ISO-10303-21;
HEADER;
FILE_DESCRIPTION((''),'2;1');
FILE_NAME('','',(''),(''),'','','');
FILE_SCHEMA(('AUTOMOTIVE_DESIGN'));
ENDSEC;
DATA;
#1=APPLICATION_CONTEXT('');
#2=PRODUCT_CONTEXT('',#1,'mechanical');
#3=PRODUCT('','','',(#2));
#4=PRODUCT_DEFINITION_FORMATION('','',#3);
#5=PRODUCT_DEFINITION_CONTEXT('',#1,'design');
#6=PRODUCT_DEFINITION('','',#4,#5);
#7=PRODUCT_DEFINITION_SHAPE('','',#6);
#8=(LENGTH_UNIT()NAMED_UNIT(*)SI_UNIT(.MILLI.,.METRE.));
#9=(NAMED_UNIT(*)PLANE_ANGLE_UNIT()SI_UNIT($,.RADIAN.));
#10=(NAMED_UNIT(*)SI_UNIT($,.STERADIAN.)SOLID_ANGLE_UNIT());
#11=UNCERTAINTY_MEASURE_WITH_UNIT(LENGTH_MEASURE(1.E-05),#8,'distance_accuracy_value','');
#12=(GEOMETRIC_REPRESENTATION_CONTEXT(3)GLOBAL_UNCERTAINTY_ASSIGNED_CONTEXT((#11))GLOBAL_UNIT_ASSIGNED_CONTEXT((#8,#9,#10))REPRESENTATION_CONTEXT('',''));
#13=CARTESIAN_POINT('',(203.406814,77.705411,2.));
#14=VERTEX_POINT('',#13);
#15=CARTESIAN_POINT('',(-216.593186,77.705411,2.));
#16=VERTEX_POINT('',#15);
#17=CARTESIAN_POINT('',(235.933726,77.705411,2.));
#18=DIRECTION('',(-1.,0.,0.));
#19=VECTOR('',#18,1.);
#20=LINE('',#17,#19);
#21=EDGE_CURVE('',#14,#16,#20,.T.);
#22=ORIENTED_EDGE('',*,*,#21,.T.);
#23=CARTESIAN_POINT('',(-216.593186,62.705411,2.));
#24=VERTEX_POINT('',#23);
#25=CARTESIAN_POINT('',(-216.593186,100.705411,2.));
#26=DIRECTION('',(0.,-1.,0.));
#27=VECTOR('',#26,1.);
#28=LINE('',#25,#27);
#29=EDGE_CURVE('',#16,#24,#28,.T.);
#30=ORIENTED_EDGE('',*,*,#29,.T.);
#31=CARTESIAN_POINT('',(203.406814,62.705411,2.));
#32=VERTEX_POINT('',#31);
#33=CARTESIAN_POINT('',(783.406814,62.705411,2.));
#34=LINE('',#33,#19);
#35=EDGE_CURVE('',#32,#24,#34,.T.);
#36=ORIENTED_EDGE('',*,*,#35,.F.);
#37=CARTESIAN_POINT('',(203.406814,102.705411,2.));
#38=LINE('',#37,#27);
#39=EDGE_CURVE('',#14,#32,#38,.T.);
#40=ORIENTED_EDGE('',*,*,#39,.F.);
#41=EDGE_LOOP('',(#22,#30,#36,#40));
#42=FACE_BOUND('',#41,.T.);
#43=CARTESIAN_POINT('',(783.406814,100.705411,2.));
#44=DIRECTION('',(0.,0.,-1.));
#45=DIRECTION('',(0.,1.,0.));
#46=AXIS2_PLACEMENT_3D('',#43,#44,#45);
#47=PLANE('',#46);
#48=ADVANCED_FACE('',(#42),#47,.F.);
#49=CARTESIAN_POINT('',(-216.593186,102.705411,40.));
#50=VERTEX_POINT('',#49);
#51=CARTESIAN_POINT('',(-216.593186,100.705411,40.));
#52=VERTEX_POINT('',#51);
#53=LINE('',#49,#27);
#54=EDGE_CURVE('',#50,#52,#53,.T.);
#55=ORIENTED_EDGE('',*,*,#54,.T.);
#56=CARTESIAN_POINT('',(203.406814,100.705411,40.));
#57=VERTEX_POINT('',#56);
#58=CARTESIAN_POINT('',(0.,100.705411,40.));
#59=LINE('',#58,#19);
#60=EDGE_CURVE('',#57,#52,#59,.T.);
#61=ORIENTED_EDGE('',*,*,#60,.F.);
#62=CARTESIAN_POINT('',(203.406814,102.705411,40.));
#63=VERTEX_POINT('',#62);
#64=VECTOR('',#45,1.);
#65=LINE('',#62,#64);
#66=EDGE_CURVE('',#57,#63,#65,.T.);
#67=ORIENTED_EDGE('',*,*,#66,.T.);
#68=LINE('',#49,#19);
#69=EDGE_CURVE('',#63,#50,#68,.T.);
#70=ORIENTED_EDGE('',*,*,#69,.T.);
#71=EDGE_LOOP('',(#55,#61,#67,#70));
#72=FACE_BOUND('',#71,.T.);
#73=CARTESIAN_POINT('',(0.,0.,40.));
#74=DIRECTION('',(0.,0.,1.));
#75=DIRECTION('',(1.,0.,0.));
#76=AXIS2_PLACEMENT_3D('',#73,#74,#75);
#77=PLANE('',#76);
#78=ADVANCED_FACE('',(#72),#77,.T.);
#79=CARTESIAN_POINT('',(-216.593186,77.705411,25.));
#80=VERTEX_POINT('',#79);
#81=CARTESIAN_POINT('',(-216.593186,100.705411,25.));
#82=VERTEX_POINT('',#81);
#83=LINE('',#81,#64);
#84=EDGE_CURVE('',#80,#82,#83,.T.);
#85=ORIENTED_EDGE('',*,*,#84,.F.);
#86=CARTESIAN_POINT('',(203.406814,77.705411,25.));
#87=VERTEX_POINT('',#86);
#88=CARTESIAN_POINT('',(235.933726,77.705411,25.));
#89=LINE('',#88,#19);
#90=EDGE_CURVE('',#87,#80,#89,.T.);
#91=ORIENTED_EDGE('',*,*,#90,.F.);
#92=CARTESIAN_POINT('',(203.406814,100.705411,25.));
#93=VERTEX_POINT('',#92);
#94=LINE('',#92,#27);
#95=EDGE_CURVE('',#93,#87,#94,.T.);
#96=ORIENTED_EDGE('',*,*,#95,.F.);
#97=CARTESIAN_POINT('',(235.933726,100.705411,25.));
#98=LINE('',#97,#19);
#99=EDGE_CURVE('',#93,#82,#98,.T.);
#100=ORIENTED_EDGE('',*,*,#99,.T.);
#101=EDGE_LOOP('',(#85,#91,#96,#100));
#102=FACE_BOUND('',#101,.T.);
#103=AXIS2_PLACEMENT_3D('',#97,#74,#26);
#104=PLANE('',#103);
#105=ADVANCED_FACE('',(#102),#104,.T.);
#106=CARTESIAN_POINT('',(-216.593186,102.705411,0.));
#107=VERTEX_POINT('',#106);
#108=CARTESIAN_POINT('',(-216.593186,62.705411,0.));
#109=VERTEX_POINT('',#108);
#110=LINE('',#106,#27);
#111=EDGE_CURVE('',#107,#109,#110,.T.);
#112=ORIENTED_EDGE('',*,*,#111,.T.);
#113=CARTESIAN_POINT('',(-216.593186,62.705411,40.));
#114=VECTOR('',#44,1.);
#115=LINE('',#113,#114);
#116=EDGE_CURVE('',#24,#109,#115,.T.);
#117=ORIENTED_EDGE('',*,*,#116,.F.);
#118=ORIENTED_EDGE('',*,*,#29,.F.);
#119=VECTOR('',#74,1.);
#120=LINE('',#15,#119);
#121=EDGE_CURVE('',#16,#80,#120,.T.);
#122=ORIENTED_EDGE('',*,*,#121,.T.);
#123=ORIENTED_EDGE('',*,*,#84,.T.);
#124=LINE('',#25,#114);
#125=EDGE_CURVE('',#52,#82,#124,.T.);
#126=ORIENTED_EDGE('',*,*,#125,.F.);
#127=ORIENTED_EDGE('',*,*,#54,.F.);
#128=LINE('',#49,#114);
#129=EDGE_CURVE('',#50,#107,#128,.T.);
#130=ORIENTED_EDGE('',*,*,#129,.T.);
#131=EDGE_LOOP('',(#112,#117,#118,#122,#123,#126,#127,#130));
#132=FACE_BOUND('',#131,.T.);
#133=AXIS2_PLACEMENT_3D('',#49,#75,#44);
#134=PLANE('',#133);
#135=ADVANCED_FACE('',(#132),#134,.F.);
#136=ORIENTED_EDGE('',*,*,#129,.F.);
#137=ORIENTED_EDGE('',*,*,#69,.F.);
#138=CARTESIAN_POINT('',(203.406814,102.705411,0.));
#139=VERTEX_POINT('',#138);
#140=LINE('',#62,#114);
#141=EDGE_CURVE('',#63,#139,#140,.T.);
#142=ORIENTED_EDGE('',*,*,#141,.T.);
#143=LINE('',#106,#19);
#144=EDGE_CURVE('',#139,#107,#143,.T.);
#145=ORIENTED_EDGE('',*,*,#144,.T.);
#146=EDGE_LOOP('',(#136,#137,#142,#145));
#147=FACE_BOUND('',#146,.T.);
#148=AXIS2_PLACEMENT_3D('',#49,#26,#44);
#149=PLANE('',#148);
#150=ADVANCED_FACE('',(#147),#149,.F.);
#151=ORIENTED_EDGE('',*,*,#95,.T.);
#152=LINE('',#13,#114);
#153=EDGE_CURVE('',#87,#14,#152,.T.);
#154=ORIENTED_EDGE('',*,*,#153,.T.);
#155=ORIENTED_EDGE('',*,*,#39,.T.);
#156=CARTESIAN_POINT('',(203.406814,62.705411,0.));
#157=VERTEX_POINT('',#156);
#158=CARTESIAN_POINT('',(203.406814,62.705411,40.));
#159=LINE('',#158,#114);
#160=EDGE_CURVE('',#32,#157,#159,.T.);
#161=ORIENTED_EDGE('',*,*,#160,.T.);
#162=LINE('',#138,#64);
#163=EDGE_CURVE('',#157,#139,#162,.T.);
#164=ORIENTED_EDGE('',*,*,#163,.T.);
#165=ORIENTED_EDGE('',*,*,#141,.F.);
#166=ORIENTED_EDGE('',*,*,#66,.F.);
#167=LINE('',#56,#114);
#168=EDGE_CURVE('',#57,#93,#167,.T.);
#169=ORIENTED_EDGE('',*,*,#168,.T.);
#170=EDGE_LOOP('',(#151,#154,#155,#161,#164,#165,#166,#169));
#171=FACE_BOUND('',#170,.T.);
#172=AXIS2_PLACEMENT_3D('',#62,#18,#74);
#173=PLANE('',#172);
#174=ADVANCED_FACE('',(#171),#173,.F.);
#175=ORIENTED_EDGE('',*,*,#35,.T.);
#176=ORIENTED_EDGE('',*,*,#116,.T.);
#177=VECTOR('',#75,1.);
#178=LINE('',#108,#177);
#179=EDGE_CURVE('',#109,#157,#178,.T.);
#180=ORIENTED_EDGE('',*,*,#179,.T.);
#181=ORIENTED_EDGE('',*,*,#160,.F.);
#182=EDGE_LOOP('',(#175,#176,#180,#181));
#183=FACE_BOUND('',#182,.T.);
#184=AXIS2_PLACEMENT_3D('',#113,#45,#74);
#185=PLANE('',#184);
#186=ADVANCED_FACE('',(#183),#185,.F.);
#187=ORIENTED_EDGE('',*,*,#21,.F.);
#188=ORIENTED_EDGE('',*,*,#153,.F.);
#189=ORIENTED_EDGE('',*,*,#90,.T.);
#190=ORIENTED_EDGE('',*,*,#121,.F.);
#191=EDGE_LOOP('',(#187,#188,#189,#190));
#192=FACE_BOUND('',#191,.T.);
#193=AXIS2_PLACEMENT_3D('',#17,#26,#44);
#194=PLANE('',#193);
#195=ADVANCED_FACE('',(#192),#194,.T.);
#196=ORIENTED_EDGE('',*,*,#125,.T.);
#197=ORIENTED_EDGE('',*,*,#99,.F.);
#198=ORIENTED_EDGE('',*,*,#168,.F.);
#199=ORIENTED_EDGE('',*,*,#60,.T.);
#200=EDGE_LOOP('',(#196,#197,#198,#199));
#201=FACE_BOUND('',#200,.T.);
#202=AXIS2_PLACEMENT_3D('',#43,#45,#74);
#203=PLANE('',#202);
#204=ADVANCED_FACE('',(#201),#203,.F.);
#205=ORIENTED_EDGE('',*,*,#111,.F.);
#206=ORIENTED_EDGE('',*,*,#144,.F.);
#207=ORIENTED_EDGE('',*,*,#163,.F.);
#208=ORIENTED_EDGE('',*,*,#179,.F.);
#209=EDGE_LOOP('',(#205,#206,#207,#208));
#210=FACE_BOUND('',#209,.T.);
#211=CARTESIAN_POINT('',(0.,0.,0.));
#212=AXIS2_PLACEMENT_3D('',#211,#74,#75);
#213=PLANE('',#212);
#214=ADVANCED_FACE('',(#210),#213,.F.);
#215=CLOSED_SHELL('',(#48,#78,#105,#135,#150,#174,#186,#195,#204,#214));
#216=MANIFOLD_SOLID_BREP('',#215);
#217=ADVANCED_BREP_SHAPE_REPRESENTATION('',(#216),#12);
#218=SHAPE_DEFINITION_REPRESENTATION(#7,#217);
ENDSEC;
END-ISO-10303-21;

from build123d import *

# Parameters (mm, degrees)
SKETCH2_W           = 420
SKETCH2_H           = 40
BOSS_EXTRUDE1_DEPTH = 40
SKETCH3_W           = 38
SKETCH3_H           = 38
CUT_EXTRUDE1_DEPTH  = 1000
SKETCH4_W           = 23
SKETCH4_H           = 23
BOSS_EXTRUDE2_DEPTH = 420


with BuildPart() as part:
    # Sketch2 → Boss-Extrude1 (new body)
    with BuildSketch(Plane.XY):
        with Locations((-6.593186373, 82.705410822)):
            Rectangle(SKETCH2_W, SKETCH2_H)
    extrude(amount=BOSS_EXTRUDE1_DEPTH)

    # Sketch3 → Cut-Extrude1 (cut)
    with BuildSketch(Plane.ZY.offset(216.593186373)):
        with Locations((21, 81.705410822)):
            Rectangle(SKETCH3_W, SKETCH3_H)
    extrude(amount=-CUT_EXTRUDE1_DEPTH, mode=Mode.SUBTRACT)

    # Sketch4 → Boss-Extrude2 (add)
    with BuildSketch(Plane.ZY.offset(216.593186373)):
        with Locations((13.5, 89.205410822)):
            Rectangle(SKETCH4_W, SKETCH4_H)
    extrude(amount=-BOSS_EXTRUDE2_DEPTH)


solid = part.part
